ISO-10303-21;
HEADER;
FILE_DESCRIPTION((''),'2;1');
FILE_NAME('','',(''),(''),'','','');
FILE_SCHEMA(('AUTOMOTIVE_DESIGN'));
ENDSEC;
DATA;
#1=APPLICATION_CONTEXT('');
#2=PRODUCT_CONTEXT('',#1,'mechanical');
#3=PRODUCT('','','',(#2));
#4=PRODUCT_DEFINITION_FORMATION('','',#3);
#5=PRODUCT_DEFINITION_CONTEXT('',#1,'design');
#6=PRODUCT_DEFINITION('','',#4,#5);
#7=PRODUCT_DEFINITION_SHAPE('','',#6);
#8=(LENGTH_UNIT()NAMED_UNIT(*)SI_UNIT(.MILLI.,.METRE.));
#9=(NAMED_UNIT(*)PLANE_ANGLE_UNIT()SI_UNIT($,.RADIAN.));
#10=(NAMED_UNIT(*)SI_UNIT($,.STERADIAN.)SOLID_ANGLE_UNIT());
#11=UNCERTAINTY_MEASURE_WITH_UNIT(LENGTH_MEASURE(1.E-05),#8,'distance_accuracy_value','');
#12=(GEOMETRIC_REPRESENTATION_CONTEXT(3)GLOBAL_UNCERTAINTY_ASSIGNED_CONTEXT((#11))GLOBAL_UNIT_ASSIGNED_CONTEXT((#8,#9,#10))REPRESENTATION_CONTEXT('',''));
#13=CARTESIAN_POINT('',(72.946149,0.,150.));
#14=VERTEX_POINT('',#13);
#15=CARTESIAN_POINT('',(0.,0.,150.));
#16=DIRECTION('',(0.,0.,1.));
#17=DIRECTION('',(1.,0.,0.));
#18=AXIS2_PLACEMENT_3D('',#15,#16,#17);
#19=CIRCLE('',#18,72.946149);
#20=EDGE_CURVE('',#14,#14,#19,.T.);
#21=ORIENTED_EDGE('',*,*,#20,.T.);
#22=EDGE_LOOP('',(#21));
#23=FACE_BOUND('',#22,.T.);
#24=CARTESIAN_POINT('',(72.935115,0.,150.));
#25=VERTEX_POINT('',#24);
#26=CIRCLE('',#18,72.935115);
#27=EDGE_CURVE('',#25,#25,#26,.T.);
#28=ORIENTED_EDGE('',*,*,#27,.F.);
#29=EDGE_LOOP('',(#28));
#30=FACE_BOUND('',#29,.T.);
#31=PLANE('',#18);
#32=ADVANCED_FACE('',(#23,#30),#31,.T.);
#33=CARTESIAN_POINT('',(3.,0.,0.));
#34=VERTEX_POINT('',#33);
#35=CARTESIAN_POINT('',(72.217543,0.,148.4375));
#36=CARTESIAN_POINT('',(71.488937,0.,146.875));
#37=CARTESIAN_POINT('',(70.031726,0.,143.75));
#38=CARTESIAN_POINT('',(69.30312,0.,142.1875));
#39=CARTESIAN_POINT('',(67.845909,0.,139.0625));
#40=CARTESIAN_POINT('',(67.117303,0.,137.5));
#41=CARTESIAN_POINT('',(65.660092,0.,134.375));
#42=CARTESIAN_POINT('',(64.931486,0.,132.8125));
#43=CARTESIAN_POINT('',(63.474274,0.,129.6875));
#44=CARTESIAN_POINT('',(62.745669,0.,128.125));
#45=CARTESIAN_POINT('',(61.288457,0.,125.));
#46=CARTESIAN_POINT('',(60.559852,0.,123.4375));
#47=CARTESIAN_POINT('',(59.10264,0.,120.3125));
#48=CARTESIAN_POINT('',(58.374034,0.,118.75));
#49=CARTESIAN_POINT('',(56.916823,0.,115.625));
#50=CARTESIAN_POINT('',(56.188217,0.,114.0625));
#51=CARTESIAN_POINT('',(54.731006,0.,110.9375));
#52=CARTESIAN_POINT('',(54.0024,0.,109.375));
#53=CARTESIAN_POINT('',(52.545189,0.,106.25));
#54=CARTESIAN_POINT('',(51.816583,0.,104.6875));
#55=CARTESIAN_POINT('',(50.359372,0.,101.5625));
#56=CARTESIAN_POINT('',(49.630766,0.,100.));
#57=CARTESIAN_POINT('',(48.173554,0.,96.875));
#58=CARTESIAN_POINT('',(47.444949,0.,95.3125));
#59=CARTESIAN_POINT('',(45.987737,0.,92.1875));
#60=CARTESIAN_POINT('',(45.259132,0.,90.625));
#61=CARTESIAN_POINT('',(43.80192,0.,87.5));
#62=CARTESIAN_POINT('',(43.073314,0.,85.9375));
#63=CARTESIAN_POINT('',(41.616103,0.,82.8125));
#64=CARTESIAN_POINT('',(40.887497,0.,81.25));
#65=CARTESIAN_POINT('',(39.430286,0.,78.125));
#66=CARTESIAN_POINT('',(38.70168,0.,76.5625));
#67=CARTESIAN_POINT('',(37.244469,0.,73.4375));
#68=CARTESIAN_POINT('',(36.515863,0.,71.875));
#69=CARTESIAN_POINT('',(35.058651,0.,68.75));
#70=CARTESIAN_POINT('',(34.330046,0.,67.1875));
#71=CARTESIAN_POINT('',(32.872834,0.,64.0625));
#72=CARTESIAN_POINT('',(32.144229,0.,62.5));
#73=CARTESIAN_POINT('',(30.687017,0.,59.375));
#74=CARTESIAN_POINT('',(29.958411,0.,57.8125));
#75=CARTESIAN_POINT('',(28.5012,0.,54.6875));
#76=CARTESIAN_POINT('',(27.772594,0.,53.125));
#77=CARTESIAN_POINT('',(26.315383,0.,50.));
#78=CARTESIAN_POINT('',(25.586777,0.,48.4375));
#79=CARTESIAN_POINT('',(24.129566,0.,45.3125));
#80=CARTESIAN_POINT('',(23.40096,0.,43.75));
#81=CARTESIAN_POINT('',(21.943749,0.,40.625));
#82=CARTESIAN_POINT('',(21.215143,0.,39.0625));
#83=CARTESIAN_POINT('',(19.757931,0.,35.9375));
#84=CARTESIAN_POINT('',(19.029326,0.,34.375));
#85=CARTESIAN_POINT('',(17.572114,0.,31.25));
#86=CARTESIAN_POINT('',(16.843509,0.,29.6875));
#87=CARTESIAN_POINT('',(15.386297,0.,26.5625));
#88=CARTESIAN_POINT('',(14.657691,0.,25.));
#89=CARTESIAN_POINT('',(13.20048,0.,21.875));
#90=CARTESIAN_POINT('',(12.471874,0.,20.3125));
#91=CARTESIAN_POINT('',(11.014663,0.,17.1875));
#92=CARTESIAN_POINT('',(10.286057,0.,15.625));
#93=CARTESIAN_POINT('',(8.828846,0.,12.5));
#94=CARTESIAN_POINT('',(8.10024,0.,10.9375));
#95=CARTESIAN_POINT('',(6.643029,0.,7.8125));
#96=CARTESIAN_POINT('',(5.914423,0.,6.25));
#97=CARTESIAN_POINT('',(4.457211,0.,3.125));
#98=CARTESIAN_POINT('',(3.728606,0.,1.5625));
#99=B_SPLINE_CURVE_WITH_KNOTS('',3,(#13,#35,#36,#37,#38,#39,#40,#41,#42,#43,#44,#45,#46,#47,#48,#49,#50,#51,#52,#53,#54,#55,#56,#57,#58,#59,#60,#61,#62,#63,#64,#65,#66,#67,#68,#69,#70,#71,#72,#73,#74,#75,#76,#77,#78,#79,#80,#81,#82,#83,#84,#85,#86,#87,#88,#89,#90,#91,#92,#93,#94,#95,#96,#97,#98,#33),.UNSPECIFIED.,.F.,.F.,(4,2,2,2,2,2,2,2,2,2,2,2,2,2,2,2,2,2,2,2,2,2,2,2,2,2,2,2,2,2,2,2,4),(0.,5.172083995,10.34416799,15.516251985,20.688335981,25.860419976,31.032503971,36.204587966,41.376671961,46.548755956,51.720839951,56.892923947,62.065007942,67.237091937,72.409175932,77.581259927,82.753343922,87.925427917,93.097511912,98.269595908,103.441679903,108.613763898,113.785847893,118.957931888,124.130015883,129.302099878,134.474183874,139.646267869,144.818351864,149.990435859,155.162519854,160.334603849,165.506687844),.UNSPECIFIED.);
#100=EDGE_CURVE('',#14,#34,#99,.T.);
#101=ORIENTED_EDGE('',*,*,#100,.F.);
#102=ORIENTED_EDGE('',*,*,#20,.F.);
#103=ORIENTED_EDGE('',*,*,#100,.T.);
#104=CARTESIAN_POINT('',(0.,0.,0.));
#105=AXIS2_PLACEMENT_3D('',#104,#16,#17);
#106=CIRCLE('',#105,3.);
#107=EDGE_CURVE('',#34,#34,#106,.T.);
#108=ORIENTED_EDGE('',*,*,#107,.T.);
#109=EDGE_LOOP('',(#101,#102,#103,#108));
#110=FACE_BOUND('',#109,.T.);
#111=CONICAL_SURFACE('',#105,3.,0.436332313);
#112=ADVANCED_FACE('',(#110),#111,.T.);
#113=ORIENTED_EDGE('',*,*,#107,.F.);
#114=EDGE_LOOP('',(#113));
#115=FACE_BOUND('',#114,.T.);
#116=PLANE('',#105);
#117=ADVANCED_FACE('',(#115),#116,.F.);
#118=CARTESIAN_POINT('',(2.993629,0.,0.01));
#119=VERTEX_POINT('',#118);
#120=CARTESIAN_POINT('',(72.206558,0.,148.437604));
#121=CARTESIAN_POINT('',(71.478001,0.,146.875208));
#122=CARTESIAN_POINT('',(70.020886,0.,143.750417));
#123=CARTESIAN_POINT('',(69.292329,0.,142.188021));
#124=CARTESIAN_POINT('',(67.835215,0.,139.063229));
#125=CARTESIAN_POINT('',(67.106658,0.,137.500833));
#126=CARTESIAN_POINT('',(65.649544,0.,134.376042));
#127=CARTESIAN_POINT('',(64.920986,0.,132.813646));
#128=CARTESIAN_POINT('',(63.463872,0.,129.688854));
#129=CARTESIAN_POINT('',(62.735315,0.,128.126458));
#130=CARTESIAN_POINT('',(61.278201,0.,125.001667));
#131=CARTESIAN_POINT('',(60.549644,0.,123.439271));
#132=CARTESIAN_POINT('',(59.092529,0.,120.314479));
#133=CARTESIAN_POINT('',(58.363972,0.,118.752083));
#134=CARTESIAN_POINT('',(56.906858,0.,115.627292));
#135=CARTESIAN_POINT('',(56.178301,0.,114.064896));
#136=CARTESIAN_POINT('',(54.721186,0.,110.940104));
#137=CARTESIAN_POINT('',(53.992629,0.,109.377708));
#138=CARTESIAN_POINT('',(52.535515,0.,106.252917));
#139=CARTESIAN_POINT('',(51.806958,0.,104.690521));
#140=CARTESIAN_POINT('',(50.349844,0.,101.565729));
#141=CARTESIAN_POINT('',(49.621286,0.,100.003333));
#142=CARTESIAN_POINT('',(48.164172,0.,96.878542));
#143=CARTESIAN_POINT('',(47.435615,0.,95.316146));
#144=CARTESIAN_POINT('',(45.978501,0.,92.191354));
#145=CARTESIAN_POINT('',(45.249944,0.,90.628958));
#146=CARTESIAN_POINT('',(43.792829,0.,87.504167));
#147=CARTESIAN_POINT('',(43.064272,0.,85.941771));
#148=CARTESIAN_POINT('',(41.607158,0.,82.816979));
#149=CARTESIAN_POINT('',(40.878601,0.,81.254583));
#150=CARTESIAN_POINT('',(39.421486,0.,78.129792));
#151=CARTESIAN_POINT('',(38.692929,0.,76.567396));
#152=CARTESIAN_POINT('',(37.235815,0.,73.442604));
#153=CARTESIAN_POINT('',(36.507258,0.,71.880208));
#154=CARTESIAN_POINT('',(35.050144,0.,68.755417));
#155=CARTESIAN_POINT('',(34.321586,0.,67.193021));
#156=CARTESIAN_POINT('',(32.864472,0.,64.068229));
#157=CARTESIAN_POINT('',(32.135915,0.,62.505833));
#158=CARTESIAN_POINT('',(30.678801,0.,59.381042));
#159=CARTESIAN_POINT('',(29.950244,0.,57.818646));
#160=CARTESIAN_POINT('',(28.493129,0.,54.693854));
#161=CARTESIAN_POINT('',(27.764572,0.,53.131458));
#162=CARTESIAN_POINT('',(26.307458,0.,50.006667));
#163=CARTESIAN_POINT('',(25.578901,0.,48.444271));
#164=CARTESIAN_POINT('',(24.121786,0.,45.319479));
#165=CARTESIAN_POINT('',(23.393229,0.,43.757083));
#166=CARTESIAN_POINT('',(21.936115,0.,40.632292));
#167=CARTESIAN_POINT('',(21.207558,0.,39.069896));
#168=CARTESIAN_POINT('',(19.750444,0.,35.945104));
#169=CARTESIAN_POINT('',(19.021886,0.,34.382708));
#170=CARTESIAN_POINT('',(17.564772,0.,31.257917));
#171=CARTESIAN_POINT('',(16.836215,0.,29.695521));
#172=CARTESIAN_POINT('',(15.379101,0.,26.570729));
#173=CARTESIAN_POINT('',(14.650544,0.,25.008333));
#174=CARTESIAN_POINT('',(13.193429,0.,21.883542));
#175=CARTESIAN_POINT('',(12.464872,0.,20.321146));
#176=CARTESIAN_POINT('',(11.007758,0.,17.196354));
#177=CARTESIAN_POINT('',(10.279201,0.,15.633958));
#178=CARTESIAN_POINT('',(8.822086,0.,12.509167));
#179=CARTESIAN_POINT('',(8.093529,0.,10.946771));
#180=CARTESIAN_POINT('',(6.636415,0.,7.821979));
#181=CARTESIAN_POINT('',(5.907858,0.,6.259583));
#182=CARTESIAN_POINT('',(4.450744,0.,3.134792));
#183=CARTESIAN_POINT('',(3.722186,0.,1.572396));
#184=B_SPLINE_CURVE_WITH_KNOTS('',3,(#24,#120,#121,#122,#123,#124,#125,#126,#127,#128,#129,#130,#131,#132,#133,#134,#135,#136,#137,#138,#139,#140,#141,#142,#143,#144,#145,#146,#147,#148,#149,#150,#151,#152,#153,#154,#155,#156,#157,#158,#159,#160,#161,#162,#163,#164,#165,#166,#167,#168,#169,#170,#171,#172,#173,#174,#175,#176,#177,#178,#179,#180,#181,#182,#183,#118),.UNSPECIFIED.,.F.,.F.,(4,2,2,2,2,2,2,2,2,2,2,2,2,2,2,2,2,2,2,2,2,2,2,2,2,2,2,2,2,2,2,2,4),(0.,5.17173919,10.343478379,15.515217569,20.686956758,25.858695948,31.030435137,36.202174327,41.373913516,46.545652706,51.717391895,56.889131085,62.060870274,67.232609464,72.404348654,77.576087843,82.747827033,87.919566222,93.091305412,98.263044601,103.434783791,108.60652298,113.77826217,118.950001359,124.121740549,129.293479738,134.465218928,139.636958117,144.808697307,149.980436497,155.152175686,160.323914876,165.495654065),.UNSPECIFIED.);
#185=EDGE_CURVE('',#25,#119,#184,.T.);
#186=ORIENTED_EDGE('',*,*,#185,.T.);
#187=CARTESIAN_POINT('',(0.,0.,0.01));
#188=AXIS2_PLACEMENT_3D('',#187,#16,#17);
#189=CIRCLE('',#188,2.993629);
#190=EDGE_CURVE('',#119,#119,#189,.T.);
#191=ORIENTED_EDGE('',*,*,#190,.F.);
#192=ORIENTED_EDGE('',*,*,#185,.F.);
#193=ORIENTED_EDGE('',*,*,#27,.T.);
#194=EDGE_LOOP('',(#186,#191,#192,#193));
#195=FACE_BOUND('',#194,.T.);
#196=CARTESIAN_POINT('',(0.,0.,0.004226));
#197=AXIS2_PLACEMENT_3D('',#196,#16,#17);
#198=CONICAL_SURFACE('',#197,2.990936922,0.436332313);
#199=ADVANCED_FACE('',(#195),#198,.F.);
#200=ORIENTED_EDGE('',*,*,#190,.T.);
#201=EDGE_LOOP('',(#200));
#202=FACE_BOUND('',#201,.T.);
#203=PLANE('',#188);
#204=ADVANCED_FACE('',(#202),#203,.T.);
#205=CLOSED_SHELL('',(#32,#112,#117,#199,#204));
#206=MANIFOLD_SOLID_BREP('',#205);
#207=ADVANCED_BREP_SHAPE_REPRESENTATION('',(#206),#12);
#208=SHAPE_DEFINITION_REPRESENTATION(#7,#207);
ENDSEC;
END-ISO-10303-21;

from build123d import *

# Parameters (mm, degrees)
SKETCH_1_R      = 3
EXTRUDE_1_DEPTH = 150
EXTRUDE_1_DRAFT = -25
SHELL_1_T       = -0.01


with BuildPart() as part:
    # 草图1 → 凸台-拉伸1 (with draft: the straight prism first)
    with BuildSketch(Plane.XY):
        Circle(SKETCH_1_R)
    extrude(amount=EXTRUDE_1_DEPTH)
    # 凸台-拉伸1: the draft: its side faces are tilted about the plane it starts from
    extrude_1_sides = [part.faces().sort_by_distance(p)[0] for p in [
        (-3, 0, 75),
    ]]
    draft(extrude_1_sides, Plane.XY, EXTRUDE_1_DRAFT)

    # 抽壳1
    shell_1_openings = [part.faces().sort_by_distance(p)[0] for p in [
        (0, 0, 150),
    ]]
    offset(amount=SHELL_1_T, openings=shell_1_openings, kind=Kind.INTERSECTION)


solid = part.part
